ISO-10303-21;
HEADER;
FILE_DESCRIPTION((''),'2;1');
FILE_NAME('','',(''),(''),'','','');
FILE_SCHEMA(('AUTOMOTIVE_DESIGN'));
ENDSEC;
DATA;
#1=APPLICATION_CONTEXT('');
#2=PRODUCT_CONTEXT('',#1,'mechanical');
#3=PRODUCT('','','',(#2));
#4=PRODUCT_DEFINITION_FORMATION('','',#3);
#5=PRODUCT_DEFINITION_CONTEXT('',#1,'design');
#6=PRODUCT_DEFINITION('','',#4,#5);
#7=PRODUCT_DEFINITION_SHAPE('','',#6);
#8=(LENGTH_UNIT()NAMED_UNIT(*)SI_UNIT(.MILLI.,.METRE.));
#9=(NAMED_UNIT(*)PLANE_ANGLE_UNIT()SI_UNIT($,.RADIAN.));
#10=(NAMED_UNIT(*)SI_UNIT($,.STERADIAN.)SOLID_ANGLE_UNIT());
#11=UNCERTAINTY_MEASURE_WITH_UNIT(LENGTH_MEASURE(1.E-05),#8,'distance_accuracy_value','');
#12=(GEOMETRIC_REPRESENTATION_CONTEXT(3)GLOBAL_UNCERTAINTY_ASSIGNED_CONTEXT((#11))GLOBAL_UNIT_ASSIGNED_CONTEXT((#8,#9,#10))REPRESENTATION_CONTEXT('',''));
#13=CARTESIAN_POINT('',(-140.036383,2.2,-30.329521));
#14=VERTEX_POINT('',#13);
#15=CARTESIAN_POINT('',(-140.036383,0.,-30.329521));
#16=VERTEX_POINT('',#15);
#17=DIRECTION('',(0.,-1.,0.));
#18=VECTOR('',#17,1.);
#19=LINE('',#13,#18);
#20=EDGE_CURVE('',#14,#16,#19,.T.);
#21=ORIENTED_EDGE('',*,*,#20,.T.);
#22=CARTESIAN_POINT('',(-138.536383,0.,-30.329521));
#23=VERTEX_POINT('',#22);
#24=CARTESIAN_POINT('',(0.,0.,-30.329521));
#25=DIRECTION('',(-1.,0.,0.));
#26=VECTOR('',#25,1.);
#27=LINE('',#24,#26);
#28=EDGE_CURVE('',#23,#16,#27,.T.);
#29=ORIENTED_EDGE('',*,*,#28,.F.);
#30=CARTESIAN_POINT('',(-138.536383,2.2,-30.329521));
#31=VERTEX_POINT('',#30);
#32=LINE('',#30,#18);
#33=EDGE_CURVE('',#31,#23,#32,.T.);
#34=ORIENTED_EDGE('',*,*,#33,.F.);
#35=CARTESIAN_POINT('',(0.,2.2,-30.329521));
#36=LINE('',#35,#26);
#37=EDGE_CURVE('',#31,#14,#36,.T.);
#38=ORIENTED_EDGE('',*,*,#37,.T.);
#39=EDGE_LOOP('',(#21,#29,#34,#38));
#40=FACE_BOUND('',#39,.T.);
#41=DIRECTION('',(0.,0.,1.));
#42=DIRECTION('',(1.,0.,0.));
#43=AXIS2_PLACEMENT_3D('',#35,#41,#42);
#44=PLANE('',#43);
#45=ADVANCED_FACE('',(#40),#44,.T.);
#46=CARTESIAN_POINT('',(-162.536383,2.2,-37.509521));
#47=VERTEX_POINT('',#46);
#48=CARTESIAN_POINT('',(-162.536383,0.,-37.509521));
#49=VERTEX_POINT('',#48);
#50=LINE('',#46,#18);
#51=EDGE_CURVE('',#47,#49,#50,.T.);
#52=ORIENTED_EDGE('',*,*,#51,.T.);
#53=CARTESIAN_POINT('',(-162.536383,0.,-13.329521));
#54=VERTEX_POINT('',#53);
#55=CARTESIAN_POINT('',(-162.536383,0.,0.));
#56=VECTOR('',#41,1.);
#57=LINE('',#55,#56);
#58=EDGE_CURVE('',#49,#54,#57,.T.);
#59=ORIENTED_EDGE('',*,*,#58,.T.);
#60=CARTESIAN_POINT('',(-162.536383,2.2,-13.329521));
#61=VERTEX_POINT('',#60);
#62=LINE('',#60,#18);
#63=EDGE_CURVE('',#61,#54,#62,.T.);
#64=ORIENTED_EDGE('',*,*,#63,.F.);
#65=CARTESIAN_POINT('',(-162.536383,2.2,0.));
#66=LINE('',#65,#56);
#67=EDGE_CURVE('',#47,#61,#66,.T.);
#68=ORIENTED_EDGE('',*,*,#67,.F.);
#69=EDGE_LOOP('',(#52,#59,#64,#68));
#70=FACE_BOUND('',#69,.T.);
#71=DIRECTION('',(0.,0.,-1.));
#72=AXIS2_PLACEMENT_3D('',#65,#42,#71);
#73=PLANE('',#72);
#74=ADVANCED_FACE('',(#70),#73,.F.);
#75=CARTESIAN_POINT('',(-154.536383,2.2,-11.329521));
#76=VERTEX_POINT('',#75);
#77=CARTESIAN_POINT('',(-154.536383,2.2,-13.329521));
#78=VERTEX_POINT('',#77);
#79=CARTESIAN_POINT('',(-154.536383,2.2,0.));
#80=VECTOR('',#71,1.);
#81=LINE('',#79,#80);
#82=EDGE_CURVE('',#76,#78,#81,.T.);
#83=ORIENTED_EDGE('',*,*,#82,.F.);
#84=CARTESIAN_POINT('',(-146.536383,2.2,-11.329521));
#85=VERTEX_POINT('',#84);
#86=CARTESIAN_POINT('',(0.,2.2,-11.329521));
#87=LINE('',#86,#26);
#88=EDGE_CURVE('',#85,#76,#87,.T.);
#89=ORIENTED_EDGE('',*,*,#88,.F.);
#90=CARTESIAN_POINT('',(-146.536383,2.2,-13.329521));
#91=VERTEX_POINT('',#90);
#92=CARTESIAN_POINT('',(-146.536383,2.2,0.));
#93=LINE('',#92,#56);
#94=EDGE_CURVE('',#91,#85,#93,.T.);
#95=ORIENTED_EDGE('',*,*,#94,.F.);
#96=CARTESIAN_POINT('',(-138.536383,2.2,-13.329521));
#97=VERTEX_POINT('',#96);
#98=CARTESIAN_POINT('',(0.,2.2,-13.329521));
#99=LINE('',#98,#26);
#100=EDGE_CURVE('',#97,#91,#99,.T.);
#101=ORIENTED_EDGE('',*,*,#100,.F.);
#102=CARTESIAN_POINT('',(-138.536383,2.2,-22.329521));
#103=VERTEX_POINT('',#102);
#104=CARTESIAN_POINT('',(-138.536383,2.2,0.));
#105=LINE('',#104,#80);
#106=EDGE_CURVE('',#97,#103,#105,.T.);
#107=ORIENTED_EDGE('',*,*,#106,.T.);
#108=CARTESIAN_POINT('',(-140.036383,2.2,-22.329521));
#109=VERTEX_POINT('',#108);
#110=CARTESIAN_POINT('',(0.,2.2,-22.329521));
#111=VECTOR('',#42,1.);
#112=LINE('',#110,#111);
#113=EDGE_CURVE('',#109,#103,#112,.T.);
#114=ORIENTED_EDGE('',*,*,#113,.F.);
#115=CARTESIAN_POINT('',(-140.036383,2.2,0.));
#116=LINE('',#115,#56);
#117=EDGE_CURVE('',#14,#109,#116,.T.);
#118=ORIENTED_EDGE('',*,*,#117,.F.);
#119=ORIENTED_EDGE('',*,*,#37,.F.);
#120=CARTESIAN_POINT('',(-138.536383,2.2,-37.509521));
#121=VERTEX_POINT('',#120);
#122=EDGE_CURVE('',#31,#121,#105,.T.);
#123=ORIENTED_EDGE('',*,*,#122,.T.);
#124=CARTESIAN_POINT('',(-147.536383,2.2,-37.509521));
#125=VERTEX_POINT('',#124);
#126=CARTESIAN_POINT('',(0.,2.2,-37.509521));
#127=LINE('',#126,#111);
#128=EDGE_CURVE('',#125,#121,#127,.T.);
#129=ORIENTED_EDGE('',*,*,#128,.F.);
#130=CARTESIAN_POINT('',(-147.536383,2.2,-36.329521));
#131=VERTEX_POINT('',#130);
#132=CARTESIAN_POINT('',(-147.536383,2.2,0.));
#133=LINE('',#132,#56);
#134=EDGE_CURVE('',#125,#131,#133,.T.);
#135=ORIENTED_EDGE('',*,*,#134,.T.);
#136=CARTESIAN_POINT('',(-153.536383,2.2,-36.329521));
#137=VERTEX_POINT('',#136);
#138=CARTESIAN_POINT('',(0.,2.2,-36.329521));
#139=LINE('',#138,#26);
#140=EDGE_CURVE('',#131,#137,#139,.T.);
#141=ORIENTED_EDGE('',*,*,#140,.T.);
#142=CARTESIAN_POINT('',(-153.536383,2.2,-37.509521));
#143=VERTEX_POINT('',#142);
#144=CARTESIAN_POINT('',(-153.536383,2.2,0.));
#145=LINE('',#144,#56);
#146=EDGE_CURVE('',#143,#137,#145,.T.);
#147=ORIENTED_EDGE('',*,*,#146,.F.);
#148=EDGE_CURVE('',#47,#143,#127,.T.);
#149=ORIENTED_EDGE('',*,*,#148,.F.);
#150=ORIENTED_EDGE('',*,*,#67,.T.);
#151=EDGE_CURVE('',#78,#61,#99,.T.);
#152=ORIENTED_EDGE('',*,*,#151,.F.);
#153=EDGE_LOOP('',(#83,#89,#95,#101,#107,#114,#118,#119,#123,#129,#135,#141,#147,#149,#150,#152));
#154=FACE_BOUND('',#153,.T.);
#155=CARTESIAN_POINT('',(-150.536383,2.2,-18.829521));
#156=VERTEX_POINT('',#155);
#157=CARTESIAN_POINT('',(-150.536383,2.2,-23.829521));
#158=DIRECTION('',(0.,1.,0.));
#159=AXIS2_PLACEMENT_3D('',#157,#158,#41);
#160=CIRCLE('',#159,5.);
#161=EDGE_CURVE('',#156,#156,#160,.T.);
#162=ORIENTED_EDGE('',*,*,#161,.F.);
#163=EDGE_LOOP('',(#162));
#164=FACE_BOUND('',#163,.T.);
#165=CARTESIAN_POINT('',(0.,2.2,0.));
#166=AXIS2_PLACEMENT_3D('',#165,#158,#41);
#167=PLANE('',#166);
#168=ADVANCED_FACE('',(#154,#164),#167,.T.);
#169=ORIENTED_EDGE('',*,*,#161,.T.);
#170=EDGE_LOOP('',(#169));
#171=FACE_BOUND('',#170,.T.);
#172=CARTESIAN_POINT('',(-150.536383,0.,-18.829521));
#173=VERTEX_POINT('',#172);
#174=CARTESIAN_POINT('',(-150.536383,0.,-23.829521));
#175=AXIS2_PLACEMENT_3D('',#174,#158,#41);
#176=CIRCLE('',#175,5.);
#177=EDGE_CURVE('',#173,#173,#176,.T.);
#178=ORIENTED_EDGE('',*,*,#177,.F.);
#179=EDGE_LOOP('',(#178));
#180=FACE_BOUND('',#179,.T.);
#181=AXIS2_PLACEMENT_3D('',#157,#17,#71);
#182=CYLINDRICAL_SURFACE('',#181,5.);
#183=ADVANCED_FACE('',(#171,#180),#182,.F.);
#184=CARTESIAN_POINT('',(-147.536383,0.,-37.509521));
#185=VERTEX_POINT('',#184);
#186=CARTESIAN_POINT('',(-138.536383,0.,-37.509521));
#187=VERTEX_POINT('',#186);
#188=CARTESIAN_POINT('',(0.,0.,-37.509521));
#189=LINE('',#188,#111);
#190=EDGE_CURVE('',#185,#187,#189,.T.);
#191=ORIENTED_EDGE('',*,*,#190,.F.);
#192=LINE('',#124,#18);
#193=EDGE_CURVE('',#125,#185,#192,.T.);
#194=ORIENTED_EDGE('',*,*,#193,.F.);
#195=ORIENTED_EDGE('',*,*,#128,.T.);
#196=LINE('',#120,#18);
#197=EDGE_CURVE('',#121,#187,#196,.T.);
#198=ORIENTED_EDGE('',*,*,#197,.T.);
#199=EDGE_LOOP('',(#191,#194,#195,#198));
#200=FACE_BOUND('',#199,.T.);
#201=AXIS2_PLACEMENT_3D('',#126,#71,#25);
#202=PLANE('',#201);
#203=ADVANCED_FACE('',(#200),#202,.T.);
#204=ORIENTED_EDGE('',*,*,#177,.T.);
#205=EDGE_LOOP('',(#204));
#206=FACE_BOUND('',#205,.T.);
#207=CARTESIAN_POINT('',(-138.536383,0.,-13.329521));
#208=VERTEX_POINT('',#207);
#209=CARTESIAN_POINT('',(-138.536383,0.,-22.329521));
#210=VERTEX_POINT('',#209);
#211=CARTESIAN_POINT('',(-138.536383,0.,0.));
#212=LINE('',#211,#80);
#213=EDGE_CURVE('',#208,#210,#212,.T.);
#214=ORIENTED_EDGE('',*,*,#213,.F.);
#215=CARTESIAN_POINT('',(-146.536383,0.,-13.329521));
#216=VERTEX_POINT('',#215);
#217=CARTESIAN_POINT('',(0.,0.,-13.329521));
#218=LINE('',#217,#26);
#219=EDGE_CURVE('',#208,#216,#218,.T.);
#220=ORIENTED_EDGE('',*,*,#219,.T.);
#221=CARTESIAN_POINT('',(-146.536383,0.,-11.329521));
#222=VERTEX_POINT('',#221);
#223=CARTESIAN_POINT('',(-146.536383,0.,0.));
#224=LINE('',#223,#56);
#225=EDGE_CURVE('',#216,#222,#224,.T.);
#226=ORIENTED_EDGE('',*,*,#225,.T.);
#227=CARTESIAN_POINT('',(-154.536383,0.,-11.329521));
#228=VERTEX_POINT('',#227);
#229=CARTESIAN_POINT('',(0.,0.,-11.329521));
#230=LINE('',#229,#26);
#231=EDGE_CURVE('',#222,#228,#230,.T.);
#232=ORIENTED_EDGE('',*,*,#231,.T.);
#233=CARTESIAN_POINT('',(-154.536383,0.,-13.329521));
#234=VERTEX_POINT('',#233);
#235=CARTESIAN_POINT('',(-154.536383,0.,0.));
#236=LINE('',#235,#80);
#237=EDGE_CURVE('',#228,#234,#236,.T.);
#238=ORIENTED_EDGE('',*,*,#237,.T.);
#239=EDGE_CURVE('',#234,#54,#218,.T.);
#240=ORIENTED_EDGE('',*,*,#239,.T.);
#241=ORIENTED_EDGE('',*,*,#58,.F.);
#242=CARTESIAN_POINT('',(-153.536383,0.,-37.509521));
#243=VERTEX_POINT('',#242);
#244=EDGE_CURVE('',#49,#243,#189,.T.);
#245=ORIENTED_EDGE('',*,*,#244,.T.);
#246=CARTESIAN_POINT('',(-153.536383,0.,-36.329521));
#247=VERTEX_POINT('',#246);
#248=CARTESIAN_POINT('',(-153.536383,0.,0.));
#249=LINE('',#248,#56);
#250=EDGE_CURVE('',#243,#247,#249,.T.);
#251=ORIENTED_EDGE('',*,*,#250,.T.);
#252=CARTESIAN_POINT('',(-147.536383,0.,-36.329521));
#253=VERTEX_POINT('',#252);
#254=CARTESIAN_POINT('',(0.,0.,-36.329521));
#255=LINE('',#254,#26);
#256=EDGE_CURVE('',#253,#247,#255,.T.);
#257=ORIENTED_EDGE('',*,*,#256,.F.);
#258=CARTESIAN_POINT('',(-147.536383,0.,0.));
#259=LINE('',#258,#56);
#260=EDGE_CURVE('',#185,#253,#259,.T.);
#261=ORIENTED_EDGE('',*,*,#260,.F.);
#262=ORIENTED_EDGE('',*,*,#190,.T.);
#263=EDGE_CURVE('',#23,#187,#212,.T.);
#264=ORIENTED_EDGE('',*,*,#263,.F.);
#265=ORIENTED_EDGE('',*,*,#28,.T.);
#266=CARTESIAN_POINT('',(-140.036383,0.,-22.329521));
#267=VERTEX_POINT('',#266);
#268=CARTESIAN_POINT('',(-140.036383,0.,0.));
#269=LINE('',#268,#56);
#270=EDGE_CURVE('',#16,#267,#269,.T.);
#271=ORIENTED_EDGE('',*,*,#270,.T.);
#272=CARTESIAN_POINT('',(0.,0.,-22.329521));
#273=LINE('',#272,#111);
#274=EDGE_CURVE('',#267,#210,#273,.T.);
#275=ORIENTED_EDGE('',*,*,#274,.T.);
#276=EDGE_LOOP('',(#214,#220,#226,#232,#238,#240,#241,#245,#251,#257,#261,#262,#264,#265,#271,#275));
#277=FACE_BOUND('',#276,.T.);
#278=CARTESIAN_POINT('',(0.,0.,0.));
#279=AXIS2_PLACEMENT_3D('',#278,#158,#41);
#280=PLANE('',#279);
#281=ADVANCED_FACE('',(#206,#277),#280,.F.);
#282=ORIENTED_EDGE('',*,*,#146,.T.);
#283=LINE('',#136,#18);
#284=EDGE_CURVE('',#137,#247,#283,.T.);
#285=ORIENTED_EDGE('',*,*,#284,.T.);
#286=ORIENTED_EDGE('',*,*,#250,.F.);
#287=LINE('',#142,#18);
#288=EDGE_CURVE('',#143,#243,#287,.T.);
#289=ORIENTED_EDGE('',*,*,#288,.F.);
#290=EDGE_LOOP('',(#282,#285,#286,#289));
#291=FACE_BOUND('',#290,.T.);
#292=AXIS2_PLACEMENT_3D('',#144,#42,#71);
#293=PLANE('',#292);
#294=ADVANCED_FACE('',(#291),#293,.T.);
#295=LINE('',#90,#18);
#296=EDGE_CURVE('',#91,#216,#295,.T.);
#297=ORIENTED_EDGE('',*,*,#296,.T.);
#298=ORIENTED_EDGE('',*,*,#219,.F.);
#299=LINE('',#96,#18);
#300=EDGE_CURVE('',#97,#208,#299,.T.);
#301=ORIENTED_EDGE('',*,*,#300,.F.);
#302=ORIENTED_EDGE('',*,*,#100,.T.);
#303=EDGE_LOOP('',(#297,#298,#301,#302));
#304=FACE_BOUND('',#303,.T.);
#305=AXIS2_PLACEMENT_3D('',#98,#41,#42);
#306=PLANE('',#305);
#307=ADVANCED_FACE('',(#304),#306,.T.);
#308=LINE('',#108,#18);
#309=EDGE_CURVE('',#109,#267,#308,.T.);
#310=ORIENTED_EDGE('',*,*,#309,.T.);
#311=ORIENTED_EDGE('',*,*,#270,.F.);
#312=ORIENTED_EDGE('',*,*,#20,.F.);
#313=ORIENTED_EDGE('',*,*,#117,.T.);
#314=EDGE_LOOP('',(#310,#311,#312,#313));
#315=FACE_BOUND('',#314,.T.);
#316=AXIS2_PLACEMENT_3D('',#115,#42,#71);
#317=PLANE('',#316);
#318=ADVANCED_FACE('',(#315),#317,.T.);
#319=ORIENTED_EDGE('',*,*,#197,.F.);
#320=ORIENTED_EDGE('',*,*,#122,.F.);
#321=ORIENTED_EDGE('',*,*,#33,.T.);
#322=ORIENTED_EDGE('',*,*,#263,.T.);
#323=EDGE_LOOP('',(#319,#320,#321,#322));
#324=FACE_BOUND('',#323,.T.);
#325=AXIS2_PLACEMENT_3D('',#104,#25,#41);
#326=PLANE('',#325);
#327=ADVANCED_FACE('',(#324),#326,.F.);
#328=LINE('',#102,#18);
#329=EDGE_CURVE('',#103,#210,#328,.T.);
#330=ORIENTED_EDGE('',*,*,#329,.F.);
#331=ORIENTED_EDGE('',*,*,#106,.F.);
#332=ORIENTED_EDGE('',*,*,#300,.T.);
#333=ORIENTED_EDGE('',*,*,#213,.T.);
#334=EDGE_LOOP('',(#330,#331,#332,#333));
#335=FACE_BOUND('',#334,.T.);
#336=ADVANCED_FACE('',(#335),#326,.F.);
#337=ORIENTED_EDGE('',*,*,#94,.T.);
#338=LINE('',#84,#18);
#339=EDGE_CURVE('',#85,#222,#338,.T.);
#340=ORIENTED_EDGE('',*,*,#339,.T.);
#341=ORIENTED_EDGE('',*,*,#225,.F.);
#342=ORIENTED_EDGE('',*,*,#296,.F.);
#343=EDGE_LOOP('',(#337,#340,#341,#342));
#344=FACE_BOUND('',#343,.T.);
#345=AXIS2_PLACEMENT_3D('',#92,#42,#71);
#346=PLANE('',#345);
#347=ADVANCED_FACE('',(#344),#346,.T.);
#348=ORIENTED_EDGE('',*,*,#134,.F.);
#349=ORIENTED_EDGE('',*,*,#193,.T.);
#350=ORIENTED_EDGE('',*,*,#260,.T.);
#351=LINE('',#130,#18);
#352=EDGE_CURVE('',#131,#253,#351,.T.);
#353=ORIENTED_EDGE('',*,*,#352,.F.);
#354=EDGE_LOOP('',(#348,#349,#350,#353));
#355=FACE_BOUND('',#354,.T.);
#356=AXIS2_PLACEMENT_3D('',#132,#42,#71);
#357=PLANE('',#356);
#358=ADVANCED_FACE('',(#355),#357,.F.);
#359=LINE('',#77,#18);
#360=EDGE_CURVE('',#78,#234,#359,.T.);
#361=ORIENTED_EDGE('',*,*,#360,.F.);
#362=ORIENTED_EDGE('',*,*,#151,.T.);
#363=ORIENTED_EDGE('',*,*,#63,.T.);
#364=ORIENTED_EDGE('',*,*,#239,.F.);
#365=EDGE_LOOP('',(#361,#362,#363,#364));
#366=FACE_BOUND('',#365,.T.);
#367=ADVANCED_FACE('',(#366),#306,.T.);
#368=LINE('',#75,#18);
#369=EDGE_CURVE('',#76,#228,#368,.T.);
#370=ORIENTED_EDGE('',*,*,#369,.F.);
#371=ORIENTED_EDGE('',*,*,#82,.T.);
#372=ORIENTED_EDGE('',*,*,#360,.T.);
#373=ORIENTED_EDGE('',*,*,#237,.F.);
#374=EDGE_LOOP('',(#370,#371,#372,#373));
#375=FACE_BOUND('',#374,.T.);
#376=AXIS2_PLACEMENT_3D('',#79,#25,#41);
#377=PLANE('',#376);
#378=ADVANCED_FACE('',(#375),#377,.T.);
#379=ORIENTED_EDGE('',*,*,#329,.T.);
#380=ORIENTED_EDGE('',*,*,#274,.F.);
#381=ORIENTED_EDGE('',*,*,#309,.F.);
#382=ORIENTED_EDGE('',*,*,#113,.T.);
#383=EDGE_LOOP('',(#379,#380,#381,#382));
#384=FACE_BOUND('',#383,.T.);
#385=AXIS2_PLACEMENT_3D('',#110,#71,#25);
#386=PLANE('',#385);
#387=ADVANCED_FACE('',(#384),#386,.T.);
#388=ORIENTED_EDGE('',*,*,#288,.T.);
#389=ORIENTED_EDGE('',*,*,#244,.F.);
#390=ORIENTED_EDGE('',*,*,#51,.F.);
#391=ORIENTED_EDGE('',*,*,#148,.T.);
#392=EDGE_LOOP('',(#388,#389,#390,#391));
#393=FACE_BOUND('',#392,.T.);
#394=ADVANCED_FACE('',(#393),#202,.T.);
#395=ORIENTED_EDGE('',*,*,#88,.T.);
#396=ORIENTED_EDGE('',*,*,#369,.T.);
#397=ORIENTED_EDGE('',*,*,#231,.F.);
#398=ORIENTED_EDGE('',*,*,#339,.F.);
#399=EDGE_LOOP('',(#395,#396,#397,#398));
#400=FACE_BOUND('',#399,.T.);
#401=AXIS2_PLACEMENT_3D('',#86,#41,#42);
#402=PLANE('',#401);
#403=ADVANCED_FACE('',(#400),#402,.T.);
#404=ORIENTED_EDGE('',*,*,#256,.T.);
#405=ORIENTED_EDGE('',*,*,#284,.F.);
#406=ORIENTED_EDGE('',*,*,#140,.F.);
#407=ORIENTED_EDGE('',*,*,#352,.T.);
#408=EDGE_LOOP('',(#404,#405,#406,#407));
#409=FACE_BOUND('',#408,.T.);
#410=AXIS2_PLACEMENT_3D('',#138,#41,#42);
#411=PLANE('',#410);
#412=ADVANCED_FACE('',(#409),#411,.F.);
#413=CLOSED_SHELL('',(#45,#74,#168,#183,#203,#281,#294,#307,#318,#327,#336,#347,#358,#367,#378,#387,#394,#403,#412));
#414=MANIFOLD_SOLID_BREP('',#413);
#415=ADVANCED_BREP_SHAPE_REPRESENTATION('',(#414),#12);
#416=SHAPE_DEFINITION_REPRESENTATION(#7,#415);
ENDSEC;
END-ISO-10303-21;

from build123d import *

# Parameters (mm, degrees)
SKETCH1_R           = 5
BOSS_EXTRUDE1_DEPTH = 2.2


with BuildPart() as part:
    # Sketch1 → Boss-Extrude1 (new body)
    with BuildSketch(Plane(origin=(0, 0, 0), x_dir=(1, 0, 0), z_dir=(0, 1, 0))):
        Polygon((-154.536383046, 11.329521193), (-146.536383046, 11.329521193), (-146.536383046, 13.329521193), (-138.536383046, 13.329521193), (-138.536383046, 16.329521193), (-138.536383046, 22.329521193), (-140.036383046, 22.329521193), (-140.036383046, 30.329521193), (-138.536383046, 30.329521193), (-138.536383046, 36.329521193), (-138.536383046, 37.509521193), (-147.536383046, 37.509521193), (-147.536383046, 36.329521193), (-153.536383046, 36.329521193), (-153.536383046, 37.509521193), (-162.536383046, 37.509521193), (-162.536383046, 36.329521193), (-162.536383046, 13.329521193), (-154.536383046, 13.329521193), align=None)
        with Locations(Location((-150.536383046, 23.829521193, 0), (0, 0, 270))):
            Circle(SKETCH1_R, mode=Mode.SUBTRACT)
    extrude(amount=BOSS_EXTRUDE1_DEPTH)


solid = part.part
